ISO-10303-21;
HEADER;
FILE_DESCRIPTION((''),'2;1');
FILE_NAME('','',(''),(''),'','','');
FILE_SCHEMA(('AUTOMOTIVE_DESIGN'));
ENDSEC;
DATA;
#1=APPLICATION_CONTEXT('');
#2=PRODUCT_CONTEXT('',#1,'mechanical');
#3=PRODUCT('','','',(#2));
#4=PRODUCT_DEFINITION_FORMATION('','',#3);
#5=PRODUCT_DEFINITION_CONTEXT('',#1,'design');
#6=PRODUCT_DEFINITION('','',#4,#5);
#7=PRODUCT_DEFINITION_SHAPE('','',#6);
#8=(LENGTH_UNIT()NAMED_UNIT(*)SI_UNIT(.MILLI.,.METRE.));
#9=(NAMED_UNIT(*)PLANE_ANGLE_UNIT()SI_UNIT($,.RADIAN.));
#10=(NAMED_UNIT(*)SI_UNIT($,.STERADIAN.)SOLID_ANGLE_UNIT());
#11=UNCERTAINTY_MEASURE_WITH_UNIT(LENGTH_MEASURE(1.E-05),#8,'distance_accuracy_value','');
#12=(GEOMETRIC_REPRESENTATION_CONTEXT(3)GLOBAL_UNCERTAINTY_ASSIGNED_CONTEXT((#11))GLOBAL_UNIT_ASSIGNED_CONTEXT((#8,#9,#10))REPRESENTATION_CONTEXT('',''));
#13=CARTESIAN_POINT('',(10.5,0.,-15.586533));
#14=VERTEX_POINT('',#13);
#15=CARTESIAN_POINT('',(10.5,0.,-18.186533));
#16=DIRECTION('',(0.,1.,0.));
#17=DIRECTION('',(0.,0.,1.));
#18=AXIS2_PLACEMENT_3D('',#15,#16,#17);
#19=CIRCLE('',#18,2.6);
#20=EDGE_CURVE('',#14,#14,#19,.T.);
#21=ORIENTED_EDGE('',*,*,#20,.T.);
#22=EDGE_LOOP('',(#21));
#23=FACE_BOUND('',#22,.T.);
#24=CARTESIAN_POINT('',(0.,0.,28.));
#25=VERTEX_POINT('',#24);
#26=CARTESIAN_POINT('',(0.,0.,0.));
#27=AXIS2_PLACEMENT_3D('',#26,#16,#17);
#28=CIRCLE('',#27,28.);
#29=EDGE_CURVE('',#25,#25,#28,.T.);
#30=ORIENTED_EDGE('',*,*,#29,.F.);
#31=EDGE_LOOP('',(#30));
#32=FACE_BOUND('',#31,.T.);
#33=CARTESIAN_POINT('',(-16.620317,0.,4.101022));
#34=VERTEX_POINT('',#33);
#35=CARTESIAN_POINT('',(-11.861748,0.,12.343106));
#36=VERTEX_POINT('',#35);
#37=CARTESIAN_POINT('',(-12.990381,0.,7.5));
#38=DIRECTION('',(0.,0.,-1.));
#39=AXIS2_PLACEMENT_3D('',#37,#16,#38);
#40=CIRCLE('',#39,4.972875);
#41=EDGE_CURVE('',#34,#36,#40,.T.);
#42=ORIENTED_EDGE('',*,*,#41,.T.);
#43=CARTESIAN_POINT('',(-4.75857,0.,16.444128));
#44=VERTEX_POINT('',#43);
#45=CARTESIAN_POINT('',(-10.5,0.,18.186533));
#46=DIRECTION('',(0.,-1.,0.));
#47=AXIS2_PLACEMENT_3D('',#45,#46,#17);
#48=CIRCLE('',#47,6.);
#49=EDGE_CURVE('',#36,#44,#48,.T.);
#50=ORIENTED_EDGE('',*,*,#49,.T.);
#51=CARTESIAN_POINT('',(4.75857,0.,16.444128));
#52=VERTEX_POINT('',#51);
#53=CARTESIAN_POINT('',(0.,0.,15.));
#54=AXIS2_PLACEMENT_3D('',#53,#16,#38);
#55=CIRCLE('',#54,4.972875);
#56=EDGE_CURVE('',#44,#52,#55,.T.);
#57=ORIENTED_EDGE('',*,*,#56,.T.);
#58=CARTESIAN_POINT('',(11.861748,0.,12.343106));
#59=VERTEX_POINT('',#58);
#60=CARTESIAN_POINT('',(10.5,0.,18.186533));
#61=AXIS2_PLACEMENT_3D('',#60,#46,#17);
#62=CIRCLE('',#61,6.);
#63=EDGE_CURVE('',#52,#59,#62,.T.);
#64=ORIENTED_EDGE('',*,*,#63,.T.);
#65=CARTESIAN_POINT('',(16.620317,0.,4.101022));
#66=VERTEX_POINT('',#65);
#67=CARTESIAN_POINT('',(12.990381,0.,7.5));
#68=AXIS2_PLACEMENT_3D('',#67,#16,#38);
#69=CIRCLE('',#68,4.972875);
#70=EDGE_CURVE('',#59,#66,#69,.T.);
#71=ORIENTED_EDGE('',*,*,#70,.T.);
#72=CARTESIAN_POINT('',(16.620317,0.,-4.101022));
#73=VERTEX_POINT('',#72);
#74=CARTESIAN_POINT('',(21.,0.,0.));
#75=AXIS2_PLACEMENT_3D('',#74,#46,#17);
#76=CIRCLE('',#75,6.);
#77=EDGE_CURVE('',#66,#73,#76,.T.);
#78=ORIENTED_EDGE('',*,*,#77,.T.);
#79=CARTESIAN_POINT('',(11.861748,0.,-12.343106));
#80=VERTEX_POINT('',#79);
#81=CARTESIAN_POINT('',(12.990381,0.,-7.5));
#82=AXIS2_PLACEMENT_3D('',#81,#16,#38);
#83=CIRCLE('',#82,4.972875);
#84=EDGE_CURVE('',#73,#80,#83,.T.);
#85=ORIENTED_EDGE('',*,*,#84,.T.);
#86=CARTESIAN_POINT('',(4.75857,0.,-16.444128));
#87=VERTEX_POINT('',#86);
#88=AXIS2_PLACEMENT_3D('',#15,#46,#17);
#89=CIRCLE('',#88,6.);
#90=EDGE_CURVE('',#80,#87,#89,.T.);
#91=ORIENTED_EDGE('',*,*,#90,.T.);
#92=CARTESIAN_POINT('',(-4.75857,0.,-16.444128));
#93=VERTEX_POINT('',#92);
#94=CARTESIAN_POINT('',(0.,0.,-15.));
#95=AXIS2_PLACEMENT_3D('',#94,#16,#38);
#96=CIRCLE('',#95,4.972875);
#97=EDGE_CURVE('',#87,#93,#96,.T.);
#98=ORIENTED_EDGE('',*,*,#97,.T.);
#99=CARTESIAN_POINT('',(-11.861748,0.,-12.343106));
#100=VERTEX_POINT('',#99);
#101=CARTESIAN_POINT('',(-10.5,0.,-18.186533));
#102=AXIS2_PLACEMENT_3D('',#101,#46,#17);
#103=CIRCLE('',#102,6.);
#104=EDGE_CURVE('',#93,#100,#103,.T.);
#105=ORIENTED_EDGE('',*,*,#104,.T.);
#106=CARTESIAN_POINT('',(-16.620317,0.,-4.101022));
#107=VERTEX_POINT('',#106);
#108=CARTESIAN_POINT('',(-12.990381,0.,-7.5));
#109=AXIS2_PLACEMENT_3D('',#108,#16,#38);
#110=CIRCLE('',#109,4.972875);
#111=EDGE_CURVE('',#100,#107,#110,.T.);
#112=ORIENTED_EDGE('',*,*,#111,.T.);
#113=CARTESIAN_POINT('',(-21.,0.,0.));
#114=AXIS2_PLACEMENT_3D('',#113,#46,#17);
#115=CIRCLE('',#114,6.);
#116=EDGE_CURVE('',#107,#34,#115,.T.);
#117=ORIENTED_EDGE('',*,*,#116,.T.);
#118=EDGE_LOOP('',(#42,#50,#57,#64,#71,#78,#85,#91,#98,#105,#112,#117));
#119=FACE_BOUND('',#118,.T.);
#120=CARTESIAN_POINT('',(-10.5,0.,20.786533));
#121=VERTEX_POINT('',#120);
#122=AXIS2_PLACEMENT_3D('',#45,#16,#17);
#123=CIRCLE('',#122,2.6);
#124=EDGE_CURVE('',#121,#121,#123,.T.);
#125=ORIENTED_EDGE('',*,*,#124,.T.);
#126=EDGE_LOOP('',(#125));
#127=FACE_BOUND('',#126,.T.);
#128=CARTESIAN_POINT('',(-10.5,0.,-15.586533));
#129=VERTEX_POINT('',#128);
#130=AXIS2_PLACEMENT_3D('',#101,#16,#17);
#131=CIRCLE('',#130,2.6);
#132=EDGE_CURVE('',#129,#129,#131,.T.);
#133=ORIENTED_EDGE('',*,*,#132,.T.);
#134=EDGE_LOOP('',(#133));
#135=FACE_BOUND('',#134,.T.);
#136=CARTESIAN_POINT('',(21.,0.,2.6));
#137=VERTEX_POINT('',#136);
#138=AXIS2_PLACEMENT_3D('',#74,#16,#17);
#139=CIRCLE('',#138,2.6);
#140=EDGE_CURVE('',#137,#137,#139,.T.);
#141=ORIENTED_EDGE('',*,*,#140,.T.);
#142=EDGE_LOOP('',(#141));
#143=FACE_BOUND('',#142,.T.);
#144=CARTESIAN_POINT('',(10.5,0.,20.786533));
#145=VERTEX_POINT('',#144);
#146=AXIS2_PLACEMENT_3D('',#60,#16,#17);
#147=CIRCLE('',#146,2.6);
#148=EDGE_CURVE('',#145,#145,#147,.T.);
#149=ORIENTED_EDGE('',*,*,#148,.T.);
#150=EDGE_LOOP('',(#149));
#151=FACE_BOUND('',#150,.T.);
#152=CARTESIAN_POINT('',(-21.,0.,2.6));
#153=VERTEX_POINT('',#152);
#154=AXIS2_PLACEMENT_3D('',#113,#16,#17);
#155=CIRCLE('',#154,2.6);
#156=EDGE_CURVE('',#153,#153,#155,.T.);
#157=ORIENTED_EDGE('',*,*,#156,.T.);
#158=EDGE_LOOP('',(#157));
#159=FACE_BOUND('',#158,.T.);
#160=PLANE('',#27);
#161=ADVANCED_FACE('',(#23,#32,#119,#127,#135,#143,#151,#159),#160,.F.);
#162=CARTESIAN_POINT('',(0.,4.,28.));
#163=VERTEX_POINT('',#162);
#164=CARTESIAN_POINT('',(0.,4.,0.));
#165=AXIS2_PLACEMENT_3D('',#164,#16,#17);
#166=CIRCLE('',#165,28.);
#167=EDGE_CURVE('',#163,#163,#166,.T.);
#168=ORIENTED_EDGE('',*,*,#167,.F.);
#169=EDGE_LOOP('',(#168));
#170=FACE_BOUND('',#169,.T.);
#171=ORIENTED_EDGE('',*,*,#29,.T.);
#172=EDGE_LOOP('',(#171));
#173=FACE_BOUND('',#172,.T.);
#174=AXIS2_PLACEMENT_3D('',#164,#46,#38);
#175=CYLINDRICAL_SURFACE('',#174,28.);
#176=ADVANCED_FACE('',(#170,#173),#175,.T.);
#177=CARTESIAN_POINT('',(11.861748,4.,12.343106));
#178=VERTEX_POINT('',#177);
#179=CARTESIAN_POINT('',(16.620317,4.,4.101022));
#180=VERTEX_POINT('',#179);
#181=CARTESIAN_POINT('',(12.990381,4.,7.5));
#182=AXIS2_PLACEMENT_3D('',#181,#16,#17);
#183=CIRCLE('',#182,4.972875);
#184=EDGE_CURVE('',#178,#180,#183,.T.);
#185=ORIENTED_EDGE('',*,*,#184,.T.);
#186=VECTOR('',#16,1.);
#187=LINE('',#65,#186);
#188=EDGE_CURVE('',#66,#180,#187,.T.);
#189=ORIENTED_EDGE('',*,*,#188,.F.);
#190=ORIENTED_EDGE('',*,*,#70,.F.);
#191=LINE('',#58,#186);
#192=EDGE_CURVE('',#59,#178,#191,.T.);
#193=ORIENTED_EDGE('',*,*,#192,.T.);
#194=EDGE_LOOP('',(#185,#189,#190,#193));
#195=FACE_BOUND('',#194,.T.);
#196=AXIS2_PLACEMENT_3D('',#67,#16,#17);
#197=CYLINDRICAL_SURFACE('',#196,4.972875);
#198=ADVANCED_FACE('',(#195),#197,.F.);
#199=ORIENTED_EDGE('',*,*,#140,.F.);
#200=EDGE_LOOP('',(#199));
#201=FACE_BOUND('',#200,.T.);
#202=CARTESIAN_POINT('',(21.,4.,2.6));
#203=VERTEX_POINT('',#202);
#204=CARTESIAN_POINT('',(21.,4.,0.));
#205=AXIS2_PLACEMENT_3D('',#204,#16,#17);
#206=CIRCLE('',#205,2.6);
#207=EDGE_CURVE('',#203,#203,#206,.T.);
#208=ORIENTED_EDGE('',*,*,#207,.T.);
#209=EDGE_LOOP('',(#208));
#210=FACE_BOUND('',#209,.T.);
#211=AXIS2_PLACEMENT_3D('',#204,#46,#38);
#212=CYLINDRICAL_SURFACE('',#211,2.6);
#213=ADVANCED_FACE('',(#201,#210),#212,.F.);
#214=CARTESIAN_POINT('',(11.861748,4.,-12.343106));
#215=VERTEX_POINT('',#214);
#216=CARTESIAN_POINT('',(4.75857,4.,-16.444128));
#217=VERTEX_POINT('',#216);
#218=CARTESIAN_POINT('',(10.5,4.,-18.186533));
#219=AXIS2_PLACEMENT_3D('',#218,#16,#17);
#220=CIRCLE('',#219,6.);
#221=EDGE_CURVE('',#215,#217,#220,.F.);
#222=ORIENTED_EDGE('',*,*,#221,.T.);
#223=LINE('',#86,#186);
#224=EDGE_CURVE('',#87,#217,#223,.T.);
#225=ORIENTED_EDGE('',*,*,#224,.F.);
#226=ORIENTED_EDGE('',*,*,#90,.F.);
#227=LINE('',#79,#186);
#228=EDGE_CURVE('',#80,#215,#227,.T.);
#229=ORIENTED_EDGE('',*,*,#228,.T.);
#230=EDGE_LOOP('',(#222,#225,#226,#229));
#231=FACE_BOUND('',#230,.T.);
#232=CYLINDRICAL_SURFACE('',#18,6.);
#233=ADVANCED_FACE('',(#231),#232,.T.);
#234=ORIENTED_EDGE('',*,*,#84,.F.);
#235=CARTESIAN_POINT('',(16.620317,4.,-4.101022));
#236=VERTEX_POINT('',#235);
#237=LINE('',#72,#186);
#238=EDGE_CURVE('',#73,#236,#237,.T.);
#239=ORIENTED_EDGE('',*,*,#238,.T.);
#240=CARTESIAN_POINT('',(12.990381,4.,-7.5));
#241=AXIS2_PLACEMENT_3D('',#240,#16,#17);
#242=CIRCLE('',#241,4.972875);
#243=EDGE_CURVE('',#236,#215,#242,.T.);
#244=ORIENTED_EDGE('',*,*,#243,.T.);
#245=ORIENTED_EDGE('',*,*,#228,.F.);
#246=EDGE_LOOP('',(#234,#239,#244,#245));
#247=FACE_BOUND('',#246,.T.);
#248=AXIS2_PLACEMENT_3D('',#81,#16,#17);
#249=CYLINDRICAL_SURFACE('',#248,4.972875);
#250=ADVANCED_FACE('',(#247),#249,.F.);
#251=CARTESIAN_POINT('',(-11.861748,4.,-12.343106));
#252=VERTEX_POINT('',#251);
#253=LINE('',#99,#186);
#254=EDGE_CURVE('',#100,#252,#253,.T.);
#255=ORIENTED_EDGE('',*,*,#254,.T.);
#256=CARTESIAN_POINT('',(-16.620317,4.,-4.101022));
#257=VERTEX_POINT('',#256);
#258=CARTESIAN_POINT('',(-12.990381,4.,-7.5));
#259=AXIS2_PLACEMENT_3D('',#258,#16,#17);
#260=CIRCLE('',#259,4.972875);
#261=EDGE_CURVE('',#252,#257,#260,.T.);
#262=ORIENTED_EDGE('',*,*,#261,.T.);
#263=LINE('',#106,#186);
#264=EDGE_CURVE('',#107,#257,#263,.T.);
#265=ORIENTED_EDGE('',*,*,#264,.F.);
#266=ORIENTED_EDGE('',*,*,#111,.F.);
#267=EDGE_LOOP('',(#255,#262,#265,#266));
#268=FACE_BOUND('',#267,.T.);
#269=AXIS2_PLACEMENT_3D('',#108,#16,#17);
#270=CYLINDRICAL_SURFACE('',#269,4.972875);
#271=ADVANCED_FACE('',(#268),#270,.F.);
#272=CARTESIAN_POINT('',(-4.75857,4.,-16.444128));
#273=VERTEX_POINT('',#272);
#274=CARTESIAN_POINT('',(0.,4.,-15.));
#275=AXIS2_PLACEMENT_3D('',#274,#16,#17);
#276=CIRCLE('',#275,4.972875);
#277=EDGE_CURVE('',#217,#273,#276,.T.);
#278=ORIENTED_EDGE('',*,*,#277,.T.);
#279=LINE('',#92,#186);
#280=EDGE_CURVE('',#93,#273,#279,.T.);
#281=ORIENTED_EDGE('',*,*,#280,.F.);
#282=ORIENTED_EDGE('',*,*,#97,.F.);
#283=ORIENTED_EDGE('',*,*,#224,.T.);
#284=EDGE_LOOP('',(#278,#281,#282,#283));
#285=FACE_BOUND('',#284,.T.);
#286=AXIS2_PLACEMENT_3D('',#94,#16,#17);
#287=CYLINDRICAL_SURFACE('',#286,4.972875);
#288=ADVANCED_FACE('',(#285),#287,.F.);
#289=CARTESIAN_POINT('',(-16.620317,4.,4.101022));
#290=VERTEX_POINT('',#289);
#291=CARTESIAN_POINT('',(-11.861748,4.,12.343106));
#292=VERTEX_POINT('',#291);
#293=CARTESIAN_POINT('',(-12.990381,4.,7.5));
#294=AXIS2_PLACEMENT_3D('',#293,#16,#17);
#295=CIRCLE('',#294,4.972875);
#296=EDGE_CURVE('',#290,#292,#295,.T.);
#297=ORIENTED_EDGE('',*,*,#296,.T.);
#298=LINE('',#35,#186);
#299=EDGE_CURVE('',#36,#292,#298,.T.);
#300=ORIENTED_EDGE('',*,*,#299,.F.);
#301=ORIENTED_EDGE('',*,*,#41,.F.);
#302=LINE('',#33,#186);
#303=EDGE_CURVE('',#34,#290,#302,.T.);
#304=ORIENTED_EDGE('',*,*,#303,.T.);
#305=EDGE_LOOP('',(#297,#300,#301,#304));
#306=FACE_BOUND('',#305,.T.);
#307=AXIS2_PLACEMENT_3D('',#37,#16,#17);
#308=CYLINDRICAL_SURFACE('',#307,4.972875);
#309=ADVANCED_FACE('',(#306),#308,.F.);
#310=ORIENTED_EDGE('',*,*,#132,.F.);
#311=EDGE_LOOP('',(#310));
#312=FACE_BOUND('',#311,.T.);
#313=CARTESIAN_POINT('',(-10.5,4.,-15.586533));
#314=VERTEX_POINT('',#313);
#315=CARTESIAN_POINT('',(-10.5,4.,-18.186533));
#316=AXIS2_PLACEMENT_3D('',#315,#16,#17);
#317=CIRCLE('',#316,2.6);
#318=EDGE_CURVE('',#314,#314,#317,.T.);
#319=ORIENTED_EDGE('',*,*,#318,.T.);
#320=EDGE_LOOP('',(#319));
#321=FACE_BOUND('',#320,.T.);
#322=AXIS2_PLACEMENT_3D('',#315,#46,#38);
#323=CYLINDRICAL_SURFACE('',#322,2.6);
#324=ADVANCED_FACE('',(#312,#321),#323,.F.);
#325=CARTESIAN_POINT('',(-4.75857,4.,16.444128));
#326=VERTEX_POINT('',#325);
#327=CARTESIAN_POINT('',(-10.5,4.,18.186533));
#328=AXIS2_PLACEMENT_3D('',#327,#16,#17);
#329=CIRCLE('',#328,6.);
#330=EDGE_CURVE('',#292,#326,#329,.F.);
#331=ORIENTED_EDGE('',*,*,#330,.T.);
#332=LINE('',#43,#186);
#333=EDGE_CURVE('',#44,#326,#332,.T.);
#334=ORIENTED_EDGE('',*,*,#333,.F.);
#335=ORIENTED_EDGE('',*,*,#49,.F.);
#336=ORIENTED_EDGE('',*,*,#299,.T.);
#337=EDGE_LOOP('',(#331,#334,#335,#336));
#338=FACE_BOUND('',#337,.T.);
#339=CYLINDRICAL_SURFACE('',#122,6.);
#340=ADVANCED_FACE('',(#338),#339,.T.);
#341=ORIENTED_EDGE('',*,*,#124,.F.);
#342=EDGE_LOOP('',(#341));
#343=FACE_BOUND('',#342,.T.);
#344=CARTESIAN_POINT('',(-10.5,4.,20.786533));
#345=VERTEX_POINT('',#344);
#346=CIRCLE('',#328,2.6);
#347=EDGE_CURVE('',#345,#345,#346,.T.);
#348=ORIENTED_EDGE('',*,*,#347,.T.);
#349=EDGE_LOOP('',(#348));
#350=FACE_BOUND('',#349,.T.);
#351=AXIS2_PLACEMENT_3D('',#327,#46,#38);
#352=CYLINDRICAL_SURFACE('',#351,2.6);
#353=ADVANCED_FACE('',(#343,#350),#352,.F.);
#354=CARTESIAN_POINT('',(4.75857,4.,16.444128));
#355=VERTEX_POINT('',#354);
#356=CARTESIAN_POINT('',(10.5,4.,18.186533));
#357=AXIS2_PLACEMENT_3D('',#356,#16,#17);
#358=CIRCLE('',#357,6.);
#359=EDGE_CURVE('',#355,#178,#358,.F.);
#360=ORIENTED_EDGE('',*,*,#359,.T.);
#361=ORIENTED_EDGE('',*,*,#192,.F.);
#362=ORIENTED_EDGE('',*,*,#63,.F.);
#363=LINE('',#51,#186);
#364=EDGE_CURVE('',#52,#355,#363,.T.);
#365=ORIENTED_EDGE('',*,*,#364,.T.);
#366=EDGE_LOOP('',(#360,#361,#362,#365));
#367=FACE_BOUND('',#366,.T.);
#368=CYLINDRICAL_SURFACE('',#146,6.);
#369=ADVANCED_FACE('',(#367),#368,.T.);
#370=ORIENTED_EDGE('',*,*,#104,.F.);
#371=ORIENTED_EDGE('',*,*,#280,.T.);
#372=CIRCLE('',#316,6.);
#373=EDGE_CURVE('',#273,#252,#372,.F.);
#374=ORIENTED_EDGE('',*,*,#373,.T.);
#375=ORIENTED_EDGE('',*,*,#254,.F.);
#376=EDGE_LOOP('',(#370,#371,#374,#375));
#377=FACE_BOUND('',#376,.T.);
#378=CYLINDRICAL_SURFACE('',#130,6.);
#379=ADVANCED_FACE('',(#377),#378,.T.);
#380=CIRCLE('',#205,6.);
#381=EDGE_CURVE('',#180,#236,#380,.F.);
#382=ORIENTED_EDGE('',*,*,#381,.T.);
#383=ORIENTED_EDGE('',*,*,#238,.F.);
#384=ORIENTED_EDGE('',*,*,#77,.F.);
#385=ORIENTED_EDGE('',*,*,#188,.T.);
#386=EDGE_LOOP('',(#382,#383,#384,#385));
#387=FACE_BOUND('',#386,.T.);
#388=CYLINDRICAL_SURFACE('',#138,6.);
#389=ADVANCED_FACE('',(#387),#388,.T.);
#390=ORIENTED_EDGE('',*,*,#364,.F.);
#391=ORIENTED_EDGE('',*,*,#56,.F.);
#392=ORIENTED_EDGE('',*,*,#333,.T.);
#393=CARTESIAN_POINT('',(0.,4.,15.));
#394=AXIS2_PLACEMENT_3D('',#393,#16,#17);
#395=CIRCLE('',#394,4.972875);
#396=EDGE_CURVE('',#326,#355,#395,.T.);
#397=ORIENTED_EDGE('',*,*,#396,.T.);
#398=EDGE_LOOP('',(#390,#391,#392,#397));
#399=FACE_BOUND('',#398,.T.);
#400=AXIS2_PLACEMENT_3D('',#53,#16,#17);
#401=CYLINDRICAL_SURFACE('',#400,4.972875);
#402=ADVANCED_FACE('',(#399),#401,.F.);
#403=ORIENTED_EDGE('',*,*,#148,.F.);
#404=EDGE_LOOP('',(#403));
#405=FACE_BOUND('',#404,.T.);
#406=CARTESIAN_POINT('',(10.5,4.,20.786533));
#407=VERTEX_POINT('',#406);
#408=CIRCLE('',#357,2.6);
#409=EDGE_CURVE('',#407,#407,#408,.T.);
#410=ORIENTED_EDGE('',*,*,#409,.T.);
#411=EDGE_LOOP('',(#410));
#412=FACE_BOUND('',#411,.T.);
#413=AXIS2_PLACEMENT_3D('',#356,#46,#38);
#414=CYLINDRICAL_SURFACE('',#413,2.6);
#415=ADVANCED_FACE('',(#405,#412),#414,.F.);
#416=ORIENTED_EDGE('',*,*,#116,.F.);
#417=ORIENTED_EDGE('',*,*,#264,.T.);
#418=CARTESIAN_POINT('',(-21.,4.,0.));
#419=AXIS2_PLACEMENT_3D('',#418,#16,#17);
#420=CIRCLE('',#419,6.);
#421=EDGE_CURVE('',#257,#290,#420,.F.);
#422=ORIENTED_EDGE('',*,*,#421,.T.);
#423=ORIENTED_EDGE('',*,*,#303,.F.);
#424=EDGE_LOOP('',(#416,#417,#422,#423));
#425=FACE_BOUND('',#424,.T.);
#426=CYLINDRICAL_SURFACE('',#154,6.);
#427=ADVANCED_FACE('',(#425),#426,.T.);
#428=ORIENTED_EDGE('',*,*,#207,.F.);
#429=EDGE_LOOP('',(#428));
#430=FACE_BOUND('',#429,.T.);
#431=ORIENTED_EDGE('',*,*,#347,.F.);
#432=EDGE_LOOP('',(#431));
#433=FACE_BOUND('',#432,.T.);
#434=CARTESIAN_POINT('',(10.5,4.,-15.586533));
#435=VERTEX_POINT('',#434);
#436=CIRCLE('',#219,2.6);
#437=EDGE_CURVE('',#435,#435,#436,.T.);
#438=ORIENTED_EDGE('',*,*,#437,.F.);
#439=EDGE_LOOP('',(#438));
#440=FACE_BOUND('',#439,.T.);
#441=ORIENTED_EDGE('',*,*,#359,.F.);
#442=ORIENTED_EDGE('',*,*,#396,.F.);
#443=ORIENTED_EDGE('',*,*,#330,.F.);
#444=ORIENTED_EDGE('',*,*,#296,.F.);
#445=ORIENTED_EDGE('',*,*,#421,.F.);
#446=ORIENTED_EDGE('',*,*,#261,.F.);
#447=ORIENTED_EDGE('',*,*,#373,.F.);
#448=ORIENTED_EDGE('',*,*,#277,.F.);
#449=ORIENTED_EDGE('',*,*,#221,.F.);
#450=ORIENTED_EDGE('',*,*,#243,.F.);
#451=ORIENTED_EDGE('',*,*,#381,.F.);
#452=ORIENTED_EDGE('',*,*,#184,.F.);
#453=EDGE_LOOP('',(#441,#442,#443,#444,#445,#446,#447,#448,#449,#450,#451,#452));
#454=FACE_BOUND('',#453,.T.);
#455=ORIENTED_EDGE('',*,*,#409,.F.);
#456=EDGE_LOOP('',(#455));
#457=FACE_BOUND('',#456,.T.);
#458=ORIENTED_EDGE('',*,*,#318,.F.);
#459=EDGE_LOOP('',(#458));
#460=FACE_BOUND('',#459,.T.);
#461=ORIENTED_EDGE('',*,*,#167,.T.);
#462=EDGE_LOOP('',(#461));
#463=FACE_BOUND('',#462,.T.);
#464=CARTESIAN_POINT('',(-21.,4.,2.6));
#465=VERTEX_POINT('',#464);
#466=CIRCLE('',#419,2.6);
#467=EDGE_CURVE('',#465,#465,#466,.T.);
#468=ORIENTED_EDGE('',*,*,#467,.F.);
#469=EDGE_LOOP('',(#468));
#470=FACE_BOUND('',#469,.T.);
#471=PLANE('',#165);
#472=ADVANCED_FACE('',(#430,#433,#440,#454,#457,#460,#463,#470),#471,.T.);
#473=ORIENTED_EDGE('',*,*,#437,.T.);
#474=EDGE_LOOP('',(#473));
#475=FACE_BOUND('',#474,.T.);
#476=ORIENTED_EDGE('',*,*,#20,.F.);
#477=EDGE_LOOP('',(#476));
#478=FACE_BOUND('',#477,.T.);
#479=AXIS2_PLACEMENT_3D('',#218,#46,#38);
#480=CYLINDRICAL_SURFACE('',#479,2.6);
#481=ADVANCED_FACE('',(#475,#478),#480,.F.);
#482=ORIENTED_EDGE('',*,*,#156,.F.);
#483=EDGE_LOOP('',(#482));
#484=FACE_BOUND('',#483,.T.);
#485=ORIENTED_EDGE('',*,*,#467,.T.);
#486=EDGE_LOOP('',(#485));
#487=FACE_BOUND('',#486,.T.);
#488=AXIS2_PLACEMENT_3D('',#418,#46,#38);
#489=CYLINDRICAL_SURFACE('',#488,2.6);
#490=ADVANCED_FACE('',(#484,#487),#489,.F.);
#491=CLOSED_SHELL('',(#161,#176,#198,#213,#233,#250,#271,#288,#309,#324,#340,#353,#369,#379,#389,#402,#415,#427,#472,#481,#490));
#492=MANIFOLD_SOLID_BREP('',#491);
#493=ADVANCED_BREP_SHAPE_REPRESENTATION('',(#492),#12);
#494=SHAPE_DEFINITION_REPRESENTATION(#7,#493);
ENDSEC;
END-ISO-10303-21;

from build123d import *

# Parameters (mm, degrees)
SKETCH_1_R               = 28
SKETCH_1_R_2             = 2.6
EXTRUDE_1_DEPTH          = 4
CUT_EXTRUDE_2_DEPTH      = 1
CUT_EXTRUDE_2_DEPTH_BACK = 5


with BuildPart() as part:
    # 草图1 → 凸台-拉伸1 (new body)
    with BuildSketch(Plane(origin=(0, 0, 0), x_dir=(1, 0, 0), z_dir=(0, 1, 0))):
        Circle(SKETCH_1_R)
        with Locations((10.5, 18.186533479)):
            Circle(SKETCH_1_R_2, mode=Mode.SUBTRACT)
        with Locations((21, 0)):
            Circle(SKETCH_1_R_2, mode=Mode.SUBTRACT)
        with Locations((10.5, -18.186533479)):
            Circle(SKETCH_1_R_2, mode=Mode.SUBTRACT)
        with Locations((-10.5, -18.186533479)):
            Circle(SKETCH_1_R_2, mode=Mode.SUBTRACT)
        with Locations((-21, 0)):
            Circle(SKETCH_1_R_2, mode=Mode.SUBTRACT)
        with Locations((-10.5, 18.186533479)):
            Circle(SKETCH_1_R_2, mode=Mode.SUBTRACT)
    extrude(amount=EXTRUDE_1_DEPTH)

    # 草图4 → 切除-拉伸2 (cut, two sides)
    with BuildSketch(Plane(origin=(0, 4, 0), x_dir=(1, 0, 0), z_dir=(0, 1, 0))) as cut_extrude_2_sk:
        with BuildLine():
            ThreePointArc((4.758569662, 16.444127766), (7.499999998, 12.990381058), (11.861747553, 12.343106095))
            ThreePointArc((11.861747553, 12.343106095), (17.297017524, 9.986437726), (16.620317219, 4.10102167))
            ThreePointArc((16.620317219, 4.10102167), (15, 2e-09), (16.620317216, -4.101021667))
            ThreePointArc((16.620317216, -4.101021667), (17.297017526, -9.986437723), (11.861747557, -12.343106096))
            ThreePointArc((11.861747557, -12.343106096), (7.500000002, -12.990381056), (4.758569663, -16.444127762))
            ThreePointArc((4.758569663, -16.444127762), (2e-09, -19.972875449), (-4.758569662, -16.444127766))
            ThreePointArc((-4.758569662, -16.444127766), (-7.499999998, -12.990381058), (-11.861747553, -12.343106095))
            ThreePointArc((-11.861747553, -12.343106095), (-17.297017524, -9.986437726), (-16.620317219, -4.10102167))
            ThreePointArc((-16.620317219, -4.10102167), (-15, -2e-09), (-16.620317216, 4.101021667))
            ThreePointArc((-16.620317216, 4.101021667), (-17.297017526, 9.986437723), (-11.861747557, 12.343106096))
            ThreePointArc((-11.861747557, 12.343106096), (-7.500000002, 12.990381056), (-4.758569663, 16.444127762))
            ThreePointArc((-4.758569663, 16.444127762), (-2e-09, 19.972875449), (4.758569662, 16.444127766))
        make_face()
    extrude(amount=CUT_EXTRUDE_2_DEPTH, mode=Mode.SUBTRACT)
    extrude(cut_extrude_2_sk.sketch, amount=-CUT_EXTRUDE_2_DEPTH_BACK, mode=Mode.SUBTRACT)


solid = part.part
